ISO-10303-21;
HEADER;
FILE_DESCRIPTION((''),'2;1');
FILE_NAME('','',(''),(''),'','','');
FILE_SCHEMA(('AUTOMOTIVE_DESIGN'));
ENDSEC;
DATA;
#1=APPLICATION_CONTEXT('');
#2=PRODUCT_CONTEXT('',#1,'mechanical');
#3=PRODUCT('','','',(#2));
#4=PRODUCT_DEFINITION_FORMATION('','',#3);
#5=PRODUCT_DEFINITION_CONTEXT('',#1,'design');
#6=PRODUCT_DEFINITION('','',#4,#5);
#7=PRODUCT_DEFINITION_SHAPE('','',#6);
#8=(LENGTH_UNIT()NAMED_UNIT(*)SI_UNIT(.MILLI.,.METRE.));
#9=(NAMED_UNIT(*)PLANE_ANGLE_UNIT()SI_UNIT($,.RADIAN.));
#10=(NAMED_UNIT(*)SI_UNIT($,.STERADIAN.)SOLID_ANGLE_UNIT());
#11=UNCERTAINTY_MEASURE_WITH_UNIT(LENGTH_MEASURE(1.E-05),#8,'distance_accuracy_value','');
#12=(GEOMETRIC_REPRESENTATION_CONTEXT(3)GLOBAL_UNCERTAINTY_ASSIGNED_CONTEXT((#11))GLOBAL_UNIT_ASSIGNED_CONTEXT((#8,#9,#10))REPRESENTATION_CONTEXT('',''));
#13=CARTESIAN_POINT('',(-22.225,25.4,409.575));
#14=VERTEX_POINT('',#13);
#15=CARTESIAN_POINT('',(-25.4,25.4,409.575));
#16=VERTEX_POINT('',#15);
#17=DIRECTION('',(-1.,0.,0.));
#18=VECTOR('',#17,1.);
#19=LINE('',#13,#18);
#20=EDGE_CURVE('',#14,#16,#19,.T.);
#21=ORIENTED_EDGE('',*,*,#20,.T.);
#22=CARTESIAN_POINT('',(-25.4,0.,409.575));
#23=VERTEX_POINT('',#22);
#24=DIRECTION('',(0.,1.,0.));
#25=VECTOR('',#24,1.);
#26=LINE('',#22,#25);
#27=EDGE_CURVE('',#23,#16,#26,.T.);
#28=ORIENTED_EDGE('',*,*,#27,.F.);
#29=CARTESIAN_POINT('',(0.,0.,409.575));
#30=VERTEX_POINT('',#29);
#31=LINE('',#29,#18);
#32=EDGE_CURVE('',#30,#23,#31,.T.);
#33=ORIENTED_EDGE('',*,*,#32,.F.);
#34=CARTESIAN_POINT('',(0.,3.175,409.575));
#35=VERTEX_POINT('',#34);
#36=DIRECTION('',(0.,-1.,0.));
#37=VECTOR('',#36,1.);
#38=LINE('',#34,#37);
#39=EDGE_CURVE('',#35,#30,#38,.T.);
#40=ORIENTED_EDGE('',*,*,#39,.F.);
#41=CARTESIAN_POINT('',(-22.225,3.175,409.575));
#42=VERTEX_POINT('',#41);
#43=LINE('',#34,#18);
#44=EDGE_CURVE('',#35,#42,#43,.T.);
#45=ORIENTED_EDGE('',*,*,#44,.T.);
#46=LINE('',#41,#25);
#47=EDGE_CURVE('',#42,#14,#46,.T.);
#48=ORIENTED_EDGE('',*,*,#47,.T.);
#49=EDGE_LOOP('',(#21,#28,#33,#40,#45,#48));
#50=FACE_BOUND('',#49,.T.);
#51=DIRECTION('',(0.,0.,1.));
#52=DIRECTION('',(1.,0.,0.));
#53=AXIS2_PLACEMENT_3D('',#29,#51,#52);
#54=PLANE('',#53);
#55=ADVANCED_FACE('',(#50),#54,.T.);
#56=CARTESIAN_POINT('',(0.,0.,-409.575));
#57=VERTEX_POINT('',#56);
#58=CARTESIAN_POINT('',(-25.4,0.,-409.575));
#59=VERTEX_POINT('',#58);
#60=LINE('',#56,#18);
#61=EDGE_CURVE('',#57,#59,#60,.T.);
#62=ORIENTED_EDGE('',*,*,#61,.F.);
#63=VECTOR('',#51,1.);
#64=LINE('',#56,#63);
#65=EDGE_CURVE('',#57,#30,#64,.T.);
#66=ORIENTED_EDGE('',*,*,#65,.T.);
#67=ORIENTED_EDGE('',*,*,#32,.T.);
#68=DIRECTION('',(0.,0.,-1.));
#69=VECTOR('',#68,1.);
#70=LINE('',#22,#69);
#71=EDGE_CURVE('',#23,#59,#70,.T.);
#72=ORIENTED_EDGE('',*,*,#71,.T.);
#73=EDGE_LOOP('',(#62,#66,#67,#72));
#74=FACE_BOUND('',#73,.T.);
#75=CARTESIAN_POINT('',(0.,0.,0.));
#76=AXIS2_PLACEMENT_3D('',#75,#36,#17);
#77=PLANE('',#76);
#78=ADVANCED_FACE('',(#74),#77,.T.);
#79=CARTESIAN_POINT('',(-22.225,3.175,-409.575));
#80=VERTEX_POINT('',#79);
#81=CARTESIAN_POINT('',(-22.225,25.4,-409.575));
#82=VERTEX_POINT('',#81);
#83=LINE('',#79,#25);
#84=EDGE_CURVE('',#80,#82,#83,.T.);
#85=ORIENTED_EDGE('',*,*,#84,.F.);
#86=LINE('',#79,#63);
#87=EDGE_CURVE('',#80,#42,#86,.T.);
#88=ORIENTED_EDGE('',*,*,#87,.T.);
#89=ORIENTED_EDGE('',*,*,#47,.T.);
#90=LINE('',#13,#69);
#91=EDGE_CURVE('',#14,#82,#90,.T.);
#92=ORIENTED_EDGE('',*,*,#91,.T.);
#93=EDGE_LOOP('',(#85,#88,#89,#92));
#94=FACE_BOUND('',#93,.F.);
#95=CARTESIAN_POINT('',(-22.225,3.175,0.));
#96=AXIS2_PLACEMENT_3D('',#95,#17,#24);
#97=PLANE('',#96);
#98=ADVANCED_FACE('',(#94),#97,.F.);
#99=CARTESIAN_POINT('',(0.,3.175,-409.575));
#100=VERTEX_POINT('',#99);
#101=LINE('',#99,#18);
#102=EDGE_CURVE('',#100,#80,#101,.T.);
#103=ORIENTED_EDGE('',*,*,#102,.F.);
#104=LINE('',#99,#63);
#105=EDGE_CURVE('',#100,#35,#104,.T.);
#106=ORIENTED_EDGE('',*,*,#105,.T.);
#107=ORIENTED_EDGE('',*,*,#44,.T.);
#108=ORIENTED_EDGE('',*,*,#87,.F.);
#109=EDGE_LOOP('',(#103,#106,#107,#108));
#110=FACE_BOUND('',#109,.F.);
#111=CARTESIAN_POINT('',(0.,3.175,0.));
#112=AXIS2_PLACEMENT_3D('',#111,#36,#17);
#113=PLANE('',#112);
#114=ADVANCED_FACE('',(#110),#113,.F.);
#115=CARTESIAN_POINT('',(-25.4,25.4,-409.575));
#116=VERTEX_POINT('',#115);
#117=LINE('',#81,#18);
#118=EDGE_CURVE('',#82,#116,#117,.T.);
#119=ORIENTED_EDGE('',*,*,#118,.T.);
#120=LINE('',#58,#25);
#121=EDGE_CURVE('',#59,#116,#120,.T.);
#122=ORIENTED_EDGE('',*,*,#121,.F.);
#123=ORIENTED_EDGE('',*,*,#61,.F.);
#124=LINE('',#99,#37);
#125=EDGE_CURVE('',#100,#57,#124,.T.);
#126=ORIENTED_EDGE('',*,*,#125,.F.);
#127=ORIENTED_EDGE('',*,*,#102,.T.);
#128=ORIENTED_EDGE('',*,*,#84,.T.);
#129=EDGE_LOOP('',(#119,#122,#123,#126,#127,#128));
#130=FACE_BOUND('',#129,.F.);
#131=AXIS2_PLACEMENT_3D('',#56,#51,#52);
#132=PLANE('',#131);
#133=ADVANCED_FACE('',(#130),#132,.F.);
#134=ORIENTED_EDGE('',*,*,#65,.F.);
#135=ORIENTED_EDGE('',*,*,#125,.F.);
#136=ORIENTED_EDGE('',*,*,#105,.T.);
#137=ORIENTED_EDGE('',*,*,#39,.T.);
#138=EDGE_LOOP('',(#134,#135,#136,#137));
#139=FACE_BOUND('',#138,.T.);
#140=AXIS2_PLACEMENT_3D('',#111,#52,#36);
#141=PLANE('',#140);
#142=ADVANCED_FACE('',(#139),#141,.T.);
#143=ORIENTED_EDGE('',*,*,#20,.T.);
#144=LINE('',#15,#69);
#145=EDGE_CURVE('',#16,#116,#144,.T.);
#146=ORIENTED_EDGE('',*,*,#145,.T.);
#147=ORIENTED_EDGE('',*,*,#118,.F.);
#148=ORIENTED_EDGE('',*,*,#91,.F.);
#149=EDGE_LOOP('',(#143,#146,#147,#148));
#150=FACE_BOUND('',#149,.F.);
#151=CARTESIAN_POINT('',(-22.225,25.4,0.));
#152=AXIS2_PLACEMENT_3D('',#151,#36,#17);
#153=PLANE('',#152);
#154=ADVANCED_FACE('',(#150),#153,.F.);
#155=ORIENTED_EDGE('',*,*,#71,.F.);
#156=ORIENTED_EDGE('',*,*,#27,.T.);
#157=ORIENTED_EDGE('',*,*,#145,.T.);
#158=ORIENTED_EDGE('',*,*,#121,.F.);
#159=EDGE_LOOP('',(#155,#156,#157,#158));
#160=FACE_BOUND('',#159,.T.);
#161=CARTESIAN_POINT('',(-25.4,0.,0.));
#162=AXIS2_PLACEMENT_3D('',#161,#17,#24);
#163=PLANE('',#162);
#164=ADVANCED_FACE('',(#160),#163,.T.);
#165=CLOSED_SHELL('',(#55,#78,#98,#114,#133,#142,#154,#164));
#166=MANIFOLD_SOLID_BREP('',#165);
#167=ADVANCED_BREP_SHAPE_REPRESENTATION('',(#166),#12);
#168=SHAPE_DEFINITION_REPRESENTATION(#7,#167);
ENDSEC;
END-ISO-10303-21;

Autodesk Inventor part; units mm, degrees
ref_plane "YZ Plane" through (0, 0, 0) normal (1, 0, 0) x (0, 1, 0)
ref_plane "XZ Plane" through (0, 0, 0) normal (0, 1, 0) x (-1, 0, 0)
ref_plane "XY Plane" through (0, 0, 0) normal (0, 0, 1) x (1, 0, 0)
sketch "Sketch1" plane through (0, 0, 0) normal (0, 0, 1) x (1, 0, 0)
  line L0 (0, 0) -> (-25.4, 0)
  line L1 (-25.4, 0) -> (-25.4, 25.4)
  line L2 (0, 3.175) -> (-22.225, 3.175)
  line L3 (-22.225, 3.175) -> (-22.225, 25.4)
  line L4 (-22.225, 25.4) -> (-25.4, 25.4)
  line L5 (0, 3.175) -> (0, 0)
  dimension "d0" = 25.4
  dimension "d1" = 25.4
  dimension "d2" = 3.175
extrude "Extrusion1" add sketch "Sketch1" along normal mid plane 819.15
properties part number "32.25 Top L"
